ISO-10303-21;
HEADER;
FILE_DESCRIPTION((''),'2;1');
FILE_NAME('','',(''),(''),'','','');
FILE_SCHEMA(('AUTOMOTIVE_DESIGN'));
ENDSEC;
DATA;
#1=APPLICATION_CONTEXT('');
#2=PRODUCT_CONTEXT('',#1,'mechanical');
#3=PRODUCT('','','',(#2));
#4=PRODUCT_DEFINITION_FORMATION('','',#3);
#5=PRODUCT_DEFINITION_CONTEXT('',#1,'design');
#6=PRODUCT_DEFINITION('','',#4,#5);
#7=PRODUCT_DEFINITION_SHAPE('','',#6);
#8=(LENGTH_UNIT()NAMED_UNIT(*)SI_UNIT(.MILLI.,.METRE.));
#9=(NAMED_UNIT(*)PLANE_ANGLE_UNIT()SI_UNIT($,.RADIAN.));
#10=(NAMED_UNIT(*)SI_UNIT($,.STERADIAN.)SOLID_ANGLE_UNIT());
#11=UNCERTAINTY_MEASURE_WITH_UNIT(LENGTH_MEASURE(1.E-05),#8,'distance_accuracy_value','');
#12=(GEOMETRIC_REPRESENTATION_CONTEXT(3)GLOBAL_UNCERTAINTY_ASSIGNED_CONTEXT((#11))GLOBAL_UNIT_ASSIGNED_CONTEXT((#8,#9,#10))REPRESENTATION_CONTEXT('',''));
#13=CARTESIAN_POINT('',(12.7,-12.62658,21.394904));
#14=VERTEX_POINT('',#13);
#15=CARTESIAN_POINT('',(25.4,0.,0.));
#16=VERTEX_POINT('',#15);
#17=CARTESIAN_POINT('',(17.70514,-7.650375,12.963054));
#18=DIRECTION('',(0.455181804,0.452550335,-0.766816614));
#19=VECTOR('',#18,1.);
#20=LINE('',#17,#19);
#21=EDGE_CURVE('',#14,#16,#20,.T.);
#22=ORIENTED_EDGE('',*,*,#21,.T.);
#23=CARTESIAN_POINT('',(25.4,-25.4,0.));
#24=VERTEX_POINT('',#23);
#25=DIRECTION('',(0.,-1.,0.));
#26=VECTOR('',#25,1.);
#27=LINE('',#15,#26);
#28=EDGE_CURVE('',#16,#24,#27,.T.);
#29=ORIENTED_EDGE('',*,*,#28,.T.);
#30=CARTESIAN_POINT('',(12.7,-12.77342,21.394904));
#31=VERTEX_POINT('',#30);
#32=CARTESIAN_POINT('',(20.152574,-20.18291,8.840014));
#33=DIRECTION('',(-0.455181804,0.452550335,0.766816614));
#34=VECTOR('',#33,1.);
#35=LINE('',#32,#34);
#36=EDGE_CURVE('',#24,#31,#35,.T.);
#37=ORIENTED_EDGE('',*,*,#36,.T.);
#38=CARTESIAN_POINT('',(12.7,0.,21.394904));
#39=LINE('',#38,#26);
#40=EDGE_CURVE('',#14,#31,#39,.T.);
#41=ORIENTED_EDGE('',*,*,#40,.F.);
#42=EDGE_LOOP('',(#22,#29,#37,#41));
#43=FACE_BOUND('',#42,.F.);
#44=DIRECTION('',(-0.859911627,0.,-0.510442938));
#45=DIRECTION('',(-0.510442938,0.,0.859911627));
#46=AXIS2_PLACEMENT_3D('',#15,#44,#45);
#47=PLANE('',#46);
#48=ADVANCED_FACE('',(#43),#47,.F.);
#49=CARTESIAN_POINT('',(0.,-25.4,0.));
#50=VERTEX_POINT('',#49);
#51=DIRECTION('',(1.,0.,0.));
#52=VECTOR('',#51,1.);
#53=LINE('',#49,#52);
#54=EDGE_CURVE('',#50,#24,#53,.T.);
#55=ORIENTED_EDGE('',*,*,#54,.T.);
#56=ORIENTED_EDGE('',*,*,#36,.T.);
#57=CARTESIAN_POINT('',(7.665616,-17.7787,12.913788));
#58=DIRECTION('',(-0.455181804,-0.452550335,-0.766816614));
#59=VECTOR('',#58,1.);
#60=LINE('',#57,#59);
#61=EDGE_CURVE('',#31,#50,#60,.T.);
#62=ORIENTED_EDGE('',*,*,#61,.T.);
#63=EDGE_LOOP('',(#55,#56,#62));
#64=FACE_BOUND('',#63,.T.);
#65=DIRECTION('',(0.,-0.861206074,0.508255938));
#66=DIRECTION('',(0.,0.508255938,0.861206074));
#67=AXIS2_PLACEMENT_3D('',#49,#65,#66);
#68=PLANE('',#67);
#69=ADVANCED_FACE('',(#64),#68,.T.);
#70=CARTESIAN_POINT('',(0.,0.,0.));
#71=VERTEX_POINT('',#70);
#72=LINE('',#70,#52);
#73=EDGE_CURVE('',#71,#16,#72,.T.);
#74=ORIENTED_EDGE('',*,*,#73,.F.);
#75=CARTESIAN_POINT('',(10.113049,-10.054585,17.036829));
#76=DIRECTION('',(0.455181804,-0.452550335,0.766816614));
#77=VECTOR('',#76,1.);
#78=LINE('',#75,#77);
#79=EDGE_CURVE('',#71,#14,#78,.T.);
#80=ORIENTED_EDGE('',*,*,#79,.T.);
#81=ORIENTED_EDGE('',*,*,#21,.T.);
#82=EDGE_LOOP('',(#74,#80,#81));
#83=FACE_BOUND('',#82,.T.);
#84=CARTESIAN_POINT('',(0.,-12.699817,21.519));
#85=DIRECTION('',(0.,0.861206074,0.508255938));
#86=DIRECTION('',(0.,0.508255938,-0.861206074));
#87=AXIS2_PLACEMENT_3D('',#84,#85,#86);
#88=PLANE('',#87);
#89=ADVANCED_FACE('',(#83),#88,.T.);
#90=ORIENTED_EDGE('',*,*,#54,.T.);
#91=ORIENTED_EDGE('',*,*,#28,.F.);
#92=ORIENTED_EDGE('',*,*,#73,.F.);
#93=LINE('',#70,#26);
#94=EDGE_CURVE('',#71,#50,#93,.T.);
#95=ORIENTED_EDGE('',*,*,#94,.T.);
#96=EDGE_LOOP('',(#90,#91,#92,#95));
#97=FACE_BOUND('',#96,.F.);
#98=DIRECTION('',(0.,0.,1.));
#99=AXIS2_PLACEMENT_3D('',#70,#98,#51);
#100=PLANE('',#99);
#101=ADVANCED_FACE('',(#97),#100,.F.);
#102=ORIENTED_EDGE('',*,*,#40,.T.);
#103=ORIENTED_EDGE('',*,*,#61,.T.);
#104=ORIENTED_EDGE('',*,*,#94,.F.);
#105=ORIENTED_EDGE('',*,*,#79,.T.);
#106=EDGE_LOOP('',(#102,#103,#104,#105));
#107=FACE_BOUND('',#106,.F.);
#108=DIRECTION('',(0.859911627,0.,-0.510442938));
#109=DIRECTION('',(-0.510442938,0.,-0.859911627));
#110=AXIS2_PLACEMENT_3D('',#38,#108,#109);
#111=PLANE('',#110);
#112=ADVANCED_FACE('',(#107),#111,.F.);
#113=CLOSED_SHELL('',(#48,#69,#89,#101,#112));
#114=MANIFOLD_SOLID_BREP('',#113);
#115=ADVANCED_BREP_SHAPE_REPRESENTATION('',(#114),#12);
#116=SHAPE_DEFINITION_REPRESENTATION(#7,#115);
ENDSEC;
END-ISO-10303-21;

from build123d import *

# Parameters (mm, degrees)
F1_DEPTH = 25.4
F3_DEPTH = 25.4


with BuildPart() as f1:
    # F0 (on Front) → F1 (new body)
    with BuildSketch(Plane.XZ):
        Polygon((12.7, 21.394904), (0, 0), (25.4, 0), align=None)
    extrude(amount=F1_DEPTH)

    # F2 (on Right) → F3 (cut)
    with BuildSketch(Plane.YZ):
        Polygon((-12.699817, 21.519), (0, 0), (0, 21.519), align=None)
        Polygon((-25.4, 21.519), (-25.4, 0), (-12.700183, 21.519), align=None)
    extrude(amount=F3_DEPTH, mode=Mode.SUBTRACT)


solid = f1.part
